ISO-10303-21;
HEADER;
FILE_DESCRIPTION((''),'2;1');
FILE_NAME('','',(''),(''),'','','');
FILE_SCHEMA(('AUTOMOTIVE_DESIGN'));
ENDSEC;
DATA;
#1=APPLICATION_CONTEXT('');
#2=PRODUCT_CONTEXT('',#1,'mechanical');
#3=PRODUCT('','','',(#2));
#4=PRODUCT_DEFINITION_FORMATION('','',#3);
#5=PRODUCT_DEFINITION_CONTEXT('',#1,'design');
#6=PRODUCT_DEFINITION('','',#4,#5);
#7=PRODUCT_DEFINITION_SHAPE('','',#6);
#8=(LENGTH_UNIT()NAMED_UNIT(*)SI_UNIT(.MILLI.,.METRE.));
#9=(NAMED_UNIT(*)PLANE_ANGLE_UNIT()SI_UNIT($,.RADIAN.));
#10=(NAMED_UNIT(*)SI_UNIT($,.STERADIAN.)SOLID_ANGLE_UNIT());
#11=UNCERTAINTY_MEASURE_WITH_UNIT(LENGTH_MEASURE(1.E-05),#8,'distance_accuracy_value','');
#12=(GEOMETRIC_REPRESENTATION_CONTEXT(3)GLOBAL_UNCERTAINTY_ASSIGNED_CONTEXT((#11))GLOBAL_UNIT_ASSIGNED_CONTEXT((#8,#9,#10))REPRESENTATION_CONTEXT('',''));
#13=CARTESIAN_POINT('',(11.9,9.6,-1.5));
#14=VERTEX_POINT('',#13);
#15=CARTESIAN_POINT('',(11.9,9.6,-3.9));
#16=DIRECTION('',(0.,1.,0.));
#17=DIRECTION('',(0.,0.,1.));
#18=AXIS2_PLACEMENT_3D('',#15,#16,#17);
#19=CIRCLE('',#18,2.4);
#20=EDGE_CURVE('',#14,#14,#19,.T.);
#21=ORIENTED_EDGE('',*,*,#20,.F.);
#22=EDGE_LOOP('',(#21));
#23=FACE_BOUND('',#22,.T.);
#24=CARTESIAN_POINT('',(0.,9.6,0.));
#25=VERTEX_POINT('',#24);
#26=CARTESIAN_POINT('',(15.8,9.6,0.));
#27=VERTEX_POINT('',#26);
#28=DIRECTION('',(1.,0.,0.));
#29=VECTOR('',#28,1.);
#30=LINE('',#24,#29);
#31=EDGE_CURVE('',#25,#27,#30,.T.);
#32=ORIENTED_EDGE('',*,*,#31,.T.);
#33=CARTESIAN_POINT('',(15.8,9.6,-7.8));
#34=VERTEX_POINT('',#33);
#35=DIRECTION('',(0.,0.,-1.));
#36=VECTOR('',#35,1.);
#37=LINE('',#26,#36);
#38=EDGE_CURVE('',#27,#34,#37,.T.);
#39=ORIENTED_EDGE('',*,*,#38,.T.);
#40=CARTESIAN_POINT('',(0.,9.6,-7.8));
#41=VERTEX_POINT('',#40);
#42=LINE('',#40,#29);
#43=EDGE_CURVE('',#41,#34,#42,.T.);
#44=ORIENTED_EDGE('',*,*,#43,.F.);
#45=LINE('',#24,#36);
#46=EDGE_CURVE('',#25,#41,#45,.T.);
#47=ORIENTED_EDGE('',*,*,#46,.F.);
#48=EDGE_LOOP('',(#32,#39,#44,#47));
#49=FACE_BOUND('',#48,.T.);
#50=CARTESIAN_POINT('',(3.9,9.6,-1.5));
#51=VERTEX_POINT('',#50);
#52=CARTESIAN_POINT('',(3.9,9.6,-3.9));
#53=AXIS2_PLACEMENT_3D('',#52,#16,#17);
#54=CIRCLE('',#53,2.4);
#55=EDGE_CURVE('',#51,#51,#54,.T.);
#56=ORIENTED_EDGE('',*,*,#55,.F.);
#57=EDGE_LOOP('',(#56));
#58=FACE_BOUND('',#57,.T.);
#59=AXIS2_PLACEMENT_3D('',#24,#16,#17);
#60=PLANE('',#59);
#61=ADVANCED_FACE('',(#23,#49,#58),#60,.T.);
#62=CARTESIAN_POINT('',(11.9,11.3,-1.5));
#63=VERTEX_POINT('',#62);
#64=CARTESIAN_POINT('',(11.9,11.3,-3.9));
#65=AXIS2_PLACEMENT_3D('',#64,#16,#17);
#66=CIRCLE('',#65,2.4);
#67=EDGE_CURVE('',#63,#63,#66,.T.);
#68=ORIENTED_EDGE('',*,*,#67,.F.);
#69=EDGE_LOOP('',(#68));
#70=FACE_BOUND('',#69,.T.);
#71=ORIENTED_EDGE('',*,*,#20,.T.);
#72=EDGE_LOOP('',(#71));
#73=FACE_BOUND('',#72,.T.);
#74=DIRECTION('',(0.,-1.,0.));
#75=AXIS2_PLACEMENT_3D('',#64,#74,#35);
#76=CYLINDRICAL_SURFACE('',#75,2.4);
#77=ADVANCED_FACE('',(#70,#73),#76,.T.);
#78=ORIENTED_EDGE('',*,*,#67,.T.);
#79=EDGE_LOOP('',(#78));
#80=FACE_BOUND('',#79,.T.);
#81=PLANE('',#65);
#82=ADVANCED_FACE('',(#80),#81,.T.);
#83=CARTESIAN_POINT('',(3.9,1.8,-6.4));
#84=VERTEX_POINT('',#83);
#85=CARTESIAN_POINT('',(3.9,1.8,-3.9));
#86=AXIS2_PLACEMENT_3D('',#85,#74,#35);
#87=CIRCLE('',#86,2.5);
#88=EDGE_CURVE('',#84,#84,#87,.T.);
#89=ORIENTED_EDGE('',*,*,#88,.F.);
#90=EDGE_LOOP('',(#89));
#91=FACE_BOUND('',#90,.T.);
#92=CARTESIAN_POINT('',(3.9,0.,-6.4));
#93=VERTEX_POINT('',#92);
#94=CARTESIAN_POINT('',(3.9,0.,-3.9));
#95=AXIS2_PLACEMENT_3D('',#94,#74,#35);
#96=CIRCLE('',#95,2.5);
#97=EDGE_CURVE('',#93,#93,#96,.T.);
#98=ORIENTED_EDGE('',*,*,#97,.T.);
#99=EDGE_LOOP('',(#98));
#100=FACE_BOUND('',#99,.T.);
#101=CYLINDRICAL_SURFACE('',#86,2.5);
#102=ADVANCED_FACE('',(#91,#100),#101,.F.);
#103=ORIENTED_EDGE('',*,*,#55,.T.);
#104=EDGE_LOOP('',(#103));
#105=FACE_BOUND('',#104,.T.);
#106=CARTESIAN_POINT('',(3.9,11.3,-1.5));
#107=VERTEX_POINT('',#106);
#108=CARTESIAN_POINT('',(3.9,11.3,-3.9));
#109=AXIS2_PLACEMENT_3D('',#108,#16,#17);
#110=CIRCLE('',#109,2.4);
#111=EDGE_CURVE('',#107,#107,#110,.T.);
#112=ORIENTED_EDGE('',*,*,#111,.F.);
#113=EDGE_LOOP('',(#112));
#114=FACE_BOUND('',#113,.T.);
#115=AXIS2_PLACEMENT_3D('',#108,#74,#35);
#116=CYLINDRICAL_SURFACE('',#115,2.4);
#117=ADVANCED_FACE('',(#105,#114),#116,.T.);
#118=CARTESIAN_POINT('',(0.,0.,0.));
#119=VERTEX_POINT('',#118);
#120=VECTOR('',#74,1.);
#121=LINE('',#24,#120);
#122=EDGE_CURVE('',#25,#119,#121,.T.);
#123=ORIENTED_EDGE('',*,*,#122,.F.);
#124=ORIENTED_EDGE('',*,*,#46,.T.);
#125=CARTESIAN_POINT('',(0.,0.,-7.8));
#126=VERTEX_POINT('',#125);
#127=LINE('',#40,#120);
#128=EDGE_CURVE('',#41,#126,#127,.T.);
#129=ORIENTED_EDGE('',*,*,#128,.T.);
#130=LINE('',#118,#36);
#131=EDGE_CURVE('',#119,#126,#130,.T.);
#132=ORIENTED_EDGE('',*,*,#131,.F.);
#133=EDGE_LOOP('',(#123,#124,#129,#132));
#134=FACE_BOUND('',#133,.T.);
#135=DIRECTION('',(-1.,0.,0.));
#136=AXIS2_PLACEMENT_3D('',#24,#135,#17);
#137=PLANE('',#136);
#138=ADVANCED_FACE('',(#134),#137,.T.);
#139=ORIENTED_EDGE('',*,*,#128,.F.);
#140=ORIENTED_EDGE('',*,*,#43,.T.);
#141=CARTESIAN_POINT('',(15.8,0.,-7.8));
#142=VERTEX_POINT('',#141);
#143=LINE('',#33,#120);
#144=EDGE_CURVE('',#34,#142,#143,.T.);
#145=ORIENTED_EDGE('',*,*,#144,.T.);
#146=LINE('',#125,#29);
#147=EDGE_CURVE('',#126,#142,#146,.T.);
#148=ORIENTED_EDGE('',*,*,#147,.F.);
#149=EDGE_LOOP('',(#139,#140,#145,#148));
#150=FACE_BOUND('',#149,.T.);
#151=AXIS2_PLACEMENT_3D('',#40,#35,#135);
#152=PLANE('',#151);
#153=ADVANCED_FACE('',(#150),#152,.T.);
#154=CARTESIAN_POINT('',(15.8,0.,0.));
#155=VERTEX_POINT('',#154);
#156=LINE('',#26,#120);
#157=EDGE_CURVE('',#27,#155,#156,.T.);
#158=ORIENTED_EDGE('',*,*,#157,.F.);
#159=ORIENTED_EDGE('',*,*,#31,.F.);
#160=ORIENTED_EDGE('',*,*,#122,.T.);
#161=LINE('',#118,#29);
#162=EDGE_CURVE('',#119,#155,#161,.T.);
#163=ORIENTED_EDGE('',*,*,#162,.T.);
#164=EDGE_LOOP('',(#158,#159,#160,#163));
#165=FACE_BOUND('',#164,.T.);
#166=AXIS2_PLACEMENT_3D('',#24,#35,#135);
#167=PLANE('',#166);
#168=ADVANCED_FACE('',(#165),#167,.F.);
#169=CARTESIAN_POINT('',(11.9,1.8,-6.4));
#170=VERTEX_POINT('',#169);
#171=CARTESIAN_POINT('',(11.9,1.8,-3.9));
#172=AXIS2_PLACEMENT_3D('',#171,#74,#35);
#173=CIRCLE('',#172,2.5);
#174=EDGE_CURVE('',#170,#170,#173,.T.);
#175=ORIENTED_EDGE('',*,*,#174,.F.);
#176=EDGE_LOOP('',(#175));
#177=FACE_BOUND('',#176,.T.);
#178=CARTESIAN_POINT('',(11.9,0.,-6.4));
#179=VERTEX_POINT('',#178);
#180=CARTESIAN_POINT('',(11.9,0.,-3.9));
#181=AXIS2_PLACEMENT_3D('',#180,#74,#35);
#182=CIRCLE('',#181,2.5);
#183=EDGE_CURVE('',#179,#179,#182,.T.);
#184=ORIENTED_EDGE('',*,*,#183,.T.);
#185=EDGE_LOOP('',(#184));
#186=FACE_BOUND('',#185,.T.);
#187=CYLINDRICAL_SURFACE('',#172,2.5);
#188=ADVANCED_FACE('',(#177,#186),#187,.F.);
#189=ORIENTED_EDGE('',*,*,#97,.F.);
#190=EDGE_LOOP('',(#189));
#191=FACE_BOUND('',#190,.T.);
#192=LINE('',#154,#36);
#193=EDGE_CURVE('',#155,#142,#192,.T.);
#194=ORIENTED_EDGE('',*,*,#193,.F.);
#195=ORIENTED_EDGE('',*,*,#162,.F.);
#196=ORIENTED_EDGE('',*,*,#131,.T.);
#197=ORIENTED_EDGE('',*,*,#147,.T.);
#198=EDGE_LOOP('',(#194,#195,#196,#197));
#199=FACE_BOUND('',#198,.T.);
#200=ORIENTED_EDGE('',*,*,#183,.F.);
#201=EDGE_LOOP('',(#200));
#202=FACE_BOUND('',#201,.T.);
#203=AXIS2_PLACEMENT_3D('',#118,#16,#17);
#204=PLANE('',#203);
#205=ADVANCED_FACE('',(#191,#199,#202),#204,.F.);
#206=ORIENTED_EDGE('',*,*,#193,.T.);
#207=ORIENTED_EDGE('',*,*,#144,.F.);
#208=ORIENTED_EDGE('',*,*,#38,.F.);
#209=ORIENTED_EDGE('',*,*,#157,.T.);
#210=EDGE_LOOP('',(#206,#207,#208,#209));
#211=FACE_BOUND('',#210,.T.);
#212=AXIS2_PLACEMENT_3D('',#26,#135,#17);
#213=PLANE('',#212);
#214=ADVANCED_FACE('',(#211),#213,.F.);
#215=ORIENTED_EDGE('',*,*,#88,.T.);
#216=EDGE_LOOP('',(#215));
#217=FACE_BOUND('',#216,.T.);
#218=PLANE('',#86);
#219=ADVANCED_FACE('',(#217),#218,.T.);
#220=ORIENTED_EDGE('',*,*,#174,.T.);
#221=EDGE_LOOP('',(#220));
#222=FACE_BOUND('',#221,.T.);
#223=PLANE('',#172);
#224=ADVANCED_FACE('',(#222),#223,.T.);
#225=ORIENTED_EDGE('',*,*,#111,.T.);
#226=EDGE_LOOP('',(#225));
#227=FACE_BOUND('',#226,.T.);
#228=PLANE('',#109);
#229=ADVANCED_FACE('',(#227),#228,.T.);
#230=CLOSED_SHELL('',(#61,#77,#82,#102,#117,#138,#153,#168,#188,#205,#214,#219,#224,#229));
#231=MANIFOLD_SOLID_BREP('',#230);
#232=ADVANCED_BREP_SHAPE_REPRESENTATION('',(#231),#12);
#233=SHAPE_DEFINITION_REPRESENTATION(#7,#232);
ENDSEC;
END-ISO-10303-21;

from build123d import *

# Parameters (mm, degrees)
SKETCH_1_W          = 15.8
SKETCH_1_H          = 7.8
EXTRUDE_1_DEPTH     = 9.6
SKETCH_2_R          = 2.4
EXTRUDE_2_DEPTH     = 1.7
SKETCH_3_R          = 2.5
CUT_EXTRUDE_1_DEPTH = 1.8


with BuildPart() as part:
    # Эскиз1 → Бобышка-Вытянуть1 (new body)
    with BuildSketch(Plane(origin=(0, 0, 0), x_dir=(1, 0, 0), z_dir=(0, 1, 0))):
        with Locations((7.9, 3.9)):
            Rectangle(SKETCH_1_W, SKETCH_1_H)
    extrude(amount=EXTRUDE_1_DEPTH)

    # Эскиз2 → Бобышка-Вытянуть2 (add)
    with BuildSketch(Plane(origin=(0, 9.6, 0), x_dir=(1, 0, 0), z_dir=(0, 1, 0))):
        with Locations((3.9, 3.9)):
            Circle(SKETCH_2_R)
        with Locations((11.9, 3.9)):
            Circle(SKETCH_2_R)
    extrude(amount=EXTRUDE_2_DEPTH)

    # Эскиз3 → Вырез-Вытянуть1 (cut)
    with BuildSketch(Plane.XZ):
        with Locations((11.9, -3.9)):
            Circle(SKETCH_3_R)
        with Locations((3.9, -3.9)):
            Circle(SKETCH_3_R)
    extrude(amount=-CUT_EXTRUDE_1_DEPTH, mode=Mode.SUBTRACT)


solid = part.part
